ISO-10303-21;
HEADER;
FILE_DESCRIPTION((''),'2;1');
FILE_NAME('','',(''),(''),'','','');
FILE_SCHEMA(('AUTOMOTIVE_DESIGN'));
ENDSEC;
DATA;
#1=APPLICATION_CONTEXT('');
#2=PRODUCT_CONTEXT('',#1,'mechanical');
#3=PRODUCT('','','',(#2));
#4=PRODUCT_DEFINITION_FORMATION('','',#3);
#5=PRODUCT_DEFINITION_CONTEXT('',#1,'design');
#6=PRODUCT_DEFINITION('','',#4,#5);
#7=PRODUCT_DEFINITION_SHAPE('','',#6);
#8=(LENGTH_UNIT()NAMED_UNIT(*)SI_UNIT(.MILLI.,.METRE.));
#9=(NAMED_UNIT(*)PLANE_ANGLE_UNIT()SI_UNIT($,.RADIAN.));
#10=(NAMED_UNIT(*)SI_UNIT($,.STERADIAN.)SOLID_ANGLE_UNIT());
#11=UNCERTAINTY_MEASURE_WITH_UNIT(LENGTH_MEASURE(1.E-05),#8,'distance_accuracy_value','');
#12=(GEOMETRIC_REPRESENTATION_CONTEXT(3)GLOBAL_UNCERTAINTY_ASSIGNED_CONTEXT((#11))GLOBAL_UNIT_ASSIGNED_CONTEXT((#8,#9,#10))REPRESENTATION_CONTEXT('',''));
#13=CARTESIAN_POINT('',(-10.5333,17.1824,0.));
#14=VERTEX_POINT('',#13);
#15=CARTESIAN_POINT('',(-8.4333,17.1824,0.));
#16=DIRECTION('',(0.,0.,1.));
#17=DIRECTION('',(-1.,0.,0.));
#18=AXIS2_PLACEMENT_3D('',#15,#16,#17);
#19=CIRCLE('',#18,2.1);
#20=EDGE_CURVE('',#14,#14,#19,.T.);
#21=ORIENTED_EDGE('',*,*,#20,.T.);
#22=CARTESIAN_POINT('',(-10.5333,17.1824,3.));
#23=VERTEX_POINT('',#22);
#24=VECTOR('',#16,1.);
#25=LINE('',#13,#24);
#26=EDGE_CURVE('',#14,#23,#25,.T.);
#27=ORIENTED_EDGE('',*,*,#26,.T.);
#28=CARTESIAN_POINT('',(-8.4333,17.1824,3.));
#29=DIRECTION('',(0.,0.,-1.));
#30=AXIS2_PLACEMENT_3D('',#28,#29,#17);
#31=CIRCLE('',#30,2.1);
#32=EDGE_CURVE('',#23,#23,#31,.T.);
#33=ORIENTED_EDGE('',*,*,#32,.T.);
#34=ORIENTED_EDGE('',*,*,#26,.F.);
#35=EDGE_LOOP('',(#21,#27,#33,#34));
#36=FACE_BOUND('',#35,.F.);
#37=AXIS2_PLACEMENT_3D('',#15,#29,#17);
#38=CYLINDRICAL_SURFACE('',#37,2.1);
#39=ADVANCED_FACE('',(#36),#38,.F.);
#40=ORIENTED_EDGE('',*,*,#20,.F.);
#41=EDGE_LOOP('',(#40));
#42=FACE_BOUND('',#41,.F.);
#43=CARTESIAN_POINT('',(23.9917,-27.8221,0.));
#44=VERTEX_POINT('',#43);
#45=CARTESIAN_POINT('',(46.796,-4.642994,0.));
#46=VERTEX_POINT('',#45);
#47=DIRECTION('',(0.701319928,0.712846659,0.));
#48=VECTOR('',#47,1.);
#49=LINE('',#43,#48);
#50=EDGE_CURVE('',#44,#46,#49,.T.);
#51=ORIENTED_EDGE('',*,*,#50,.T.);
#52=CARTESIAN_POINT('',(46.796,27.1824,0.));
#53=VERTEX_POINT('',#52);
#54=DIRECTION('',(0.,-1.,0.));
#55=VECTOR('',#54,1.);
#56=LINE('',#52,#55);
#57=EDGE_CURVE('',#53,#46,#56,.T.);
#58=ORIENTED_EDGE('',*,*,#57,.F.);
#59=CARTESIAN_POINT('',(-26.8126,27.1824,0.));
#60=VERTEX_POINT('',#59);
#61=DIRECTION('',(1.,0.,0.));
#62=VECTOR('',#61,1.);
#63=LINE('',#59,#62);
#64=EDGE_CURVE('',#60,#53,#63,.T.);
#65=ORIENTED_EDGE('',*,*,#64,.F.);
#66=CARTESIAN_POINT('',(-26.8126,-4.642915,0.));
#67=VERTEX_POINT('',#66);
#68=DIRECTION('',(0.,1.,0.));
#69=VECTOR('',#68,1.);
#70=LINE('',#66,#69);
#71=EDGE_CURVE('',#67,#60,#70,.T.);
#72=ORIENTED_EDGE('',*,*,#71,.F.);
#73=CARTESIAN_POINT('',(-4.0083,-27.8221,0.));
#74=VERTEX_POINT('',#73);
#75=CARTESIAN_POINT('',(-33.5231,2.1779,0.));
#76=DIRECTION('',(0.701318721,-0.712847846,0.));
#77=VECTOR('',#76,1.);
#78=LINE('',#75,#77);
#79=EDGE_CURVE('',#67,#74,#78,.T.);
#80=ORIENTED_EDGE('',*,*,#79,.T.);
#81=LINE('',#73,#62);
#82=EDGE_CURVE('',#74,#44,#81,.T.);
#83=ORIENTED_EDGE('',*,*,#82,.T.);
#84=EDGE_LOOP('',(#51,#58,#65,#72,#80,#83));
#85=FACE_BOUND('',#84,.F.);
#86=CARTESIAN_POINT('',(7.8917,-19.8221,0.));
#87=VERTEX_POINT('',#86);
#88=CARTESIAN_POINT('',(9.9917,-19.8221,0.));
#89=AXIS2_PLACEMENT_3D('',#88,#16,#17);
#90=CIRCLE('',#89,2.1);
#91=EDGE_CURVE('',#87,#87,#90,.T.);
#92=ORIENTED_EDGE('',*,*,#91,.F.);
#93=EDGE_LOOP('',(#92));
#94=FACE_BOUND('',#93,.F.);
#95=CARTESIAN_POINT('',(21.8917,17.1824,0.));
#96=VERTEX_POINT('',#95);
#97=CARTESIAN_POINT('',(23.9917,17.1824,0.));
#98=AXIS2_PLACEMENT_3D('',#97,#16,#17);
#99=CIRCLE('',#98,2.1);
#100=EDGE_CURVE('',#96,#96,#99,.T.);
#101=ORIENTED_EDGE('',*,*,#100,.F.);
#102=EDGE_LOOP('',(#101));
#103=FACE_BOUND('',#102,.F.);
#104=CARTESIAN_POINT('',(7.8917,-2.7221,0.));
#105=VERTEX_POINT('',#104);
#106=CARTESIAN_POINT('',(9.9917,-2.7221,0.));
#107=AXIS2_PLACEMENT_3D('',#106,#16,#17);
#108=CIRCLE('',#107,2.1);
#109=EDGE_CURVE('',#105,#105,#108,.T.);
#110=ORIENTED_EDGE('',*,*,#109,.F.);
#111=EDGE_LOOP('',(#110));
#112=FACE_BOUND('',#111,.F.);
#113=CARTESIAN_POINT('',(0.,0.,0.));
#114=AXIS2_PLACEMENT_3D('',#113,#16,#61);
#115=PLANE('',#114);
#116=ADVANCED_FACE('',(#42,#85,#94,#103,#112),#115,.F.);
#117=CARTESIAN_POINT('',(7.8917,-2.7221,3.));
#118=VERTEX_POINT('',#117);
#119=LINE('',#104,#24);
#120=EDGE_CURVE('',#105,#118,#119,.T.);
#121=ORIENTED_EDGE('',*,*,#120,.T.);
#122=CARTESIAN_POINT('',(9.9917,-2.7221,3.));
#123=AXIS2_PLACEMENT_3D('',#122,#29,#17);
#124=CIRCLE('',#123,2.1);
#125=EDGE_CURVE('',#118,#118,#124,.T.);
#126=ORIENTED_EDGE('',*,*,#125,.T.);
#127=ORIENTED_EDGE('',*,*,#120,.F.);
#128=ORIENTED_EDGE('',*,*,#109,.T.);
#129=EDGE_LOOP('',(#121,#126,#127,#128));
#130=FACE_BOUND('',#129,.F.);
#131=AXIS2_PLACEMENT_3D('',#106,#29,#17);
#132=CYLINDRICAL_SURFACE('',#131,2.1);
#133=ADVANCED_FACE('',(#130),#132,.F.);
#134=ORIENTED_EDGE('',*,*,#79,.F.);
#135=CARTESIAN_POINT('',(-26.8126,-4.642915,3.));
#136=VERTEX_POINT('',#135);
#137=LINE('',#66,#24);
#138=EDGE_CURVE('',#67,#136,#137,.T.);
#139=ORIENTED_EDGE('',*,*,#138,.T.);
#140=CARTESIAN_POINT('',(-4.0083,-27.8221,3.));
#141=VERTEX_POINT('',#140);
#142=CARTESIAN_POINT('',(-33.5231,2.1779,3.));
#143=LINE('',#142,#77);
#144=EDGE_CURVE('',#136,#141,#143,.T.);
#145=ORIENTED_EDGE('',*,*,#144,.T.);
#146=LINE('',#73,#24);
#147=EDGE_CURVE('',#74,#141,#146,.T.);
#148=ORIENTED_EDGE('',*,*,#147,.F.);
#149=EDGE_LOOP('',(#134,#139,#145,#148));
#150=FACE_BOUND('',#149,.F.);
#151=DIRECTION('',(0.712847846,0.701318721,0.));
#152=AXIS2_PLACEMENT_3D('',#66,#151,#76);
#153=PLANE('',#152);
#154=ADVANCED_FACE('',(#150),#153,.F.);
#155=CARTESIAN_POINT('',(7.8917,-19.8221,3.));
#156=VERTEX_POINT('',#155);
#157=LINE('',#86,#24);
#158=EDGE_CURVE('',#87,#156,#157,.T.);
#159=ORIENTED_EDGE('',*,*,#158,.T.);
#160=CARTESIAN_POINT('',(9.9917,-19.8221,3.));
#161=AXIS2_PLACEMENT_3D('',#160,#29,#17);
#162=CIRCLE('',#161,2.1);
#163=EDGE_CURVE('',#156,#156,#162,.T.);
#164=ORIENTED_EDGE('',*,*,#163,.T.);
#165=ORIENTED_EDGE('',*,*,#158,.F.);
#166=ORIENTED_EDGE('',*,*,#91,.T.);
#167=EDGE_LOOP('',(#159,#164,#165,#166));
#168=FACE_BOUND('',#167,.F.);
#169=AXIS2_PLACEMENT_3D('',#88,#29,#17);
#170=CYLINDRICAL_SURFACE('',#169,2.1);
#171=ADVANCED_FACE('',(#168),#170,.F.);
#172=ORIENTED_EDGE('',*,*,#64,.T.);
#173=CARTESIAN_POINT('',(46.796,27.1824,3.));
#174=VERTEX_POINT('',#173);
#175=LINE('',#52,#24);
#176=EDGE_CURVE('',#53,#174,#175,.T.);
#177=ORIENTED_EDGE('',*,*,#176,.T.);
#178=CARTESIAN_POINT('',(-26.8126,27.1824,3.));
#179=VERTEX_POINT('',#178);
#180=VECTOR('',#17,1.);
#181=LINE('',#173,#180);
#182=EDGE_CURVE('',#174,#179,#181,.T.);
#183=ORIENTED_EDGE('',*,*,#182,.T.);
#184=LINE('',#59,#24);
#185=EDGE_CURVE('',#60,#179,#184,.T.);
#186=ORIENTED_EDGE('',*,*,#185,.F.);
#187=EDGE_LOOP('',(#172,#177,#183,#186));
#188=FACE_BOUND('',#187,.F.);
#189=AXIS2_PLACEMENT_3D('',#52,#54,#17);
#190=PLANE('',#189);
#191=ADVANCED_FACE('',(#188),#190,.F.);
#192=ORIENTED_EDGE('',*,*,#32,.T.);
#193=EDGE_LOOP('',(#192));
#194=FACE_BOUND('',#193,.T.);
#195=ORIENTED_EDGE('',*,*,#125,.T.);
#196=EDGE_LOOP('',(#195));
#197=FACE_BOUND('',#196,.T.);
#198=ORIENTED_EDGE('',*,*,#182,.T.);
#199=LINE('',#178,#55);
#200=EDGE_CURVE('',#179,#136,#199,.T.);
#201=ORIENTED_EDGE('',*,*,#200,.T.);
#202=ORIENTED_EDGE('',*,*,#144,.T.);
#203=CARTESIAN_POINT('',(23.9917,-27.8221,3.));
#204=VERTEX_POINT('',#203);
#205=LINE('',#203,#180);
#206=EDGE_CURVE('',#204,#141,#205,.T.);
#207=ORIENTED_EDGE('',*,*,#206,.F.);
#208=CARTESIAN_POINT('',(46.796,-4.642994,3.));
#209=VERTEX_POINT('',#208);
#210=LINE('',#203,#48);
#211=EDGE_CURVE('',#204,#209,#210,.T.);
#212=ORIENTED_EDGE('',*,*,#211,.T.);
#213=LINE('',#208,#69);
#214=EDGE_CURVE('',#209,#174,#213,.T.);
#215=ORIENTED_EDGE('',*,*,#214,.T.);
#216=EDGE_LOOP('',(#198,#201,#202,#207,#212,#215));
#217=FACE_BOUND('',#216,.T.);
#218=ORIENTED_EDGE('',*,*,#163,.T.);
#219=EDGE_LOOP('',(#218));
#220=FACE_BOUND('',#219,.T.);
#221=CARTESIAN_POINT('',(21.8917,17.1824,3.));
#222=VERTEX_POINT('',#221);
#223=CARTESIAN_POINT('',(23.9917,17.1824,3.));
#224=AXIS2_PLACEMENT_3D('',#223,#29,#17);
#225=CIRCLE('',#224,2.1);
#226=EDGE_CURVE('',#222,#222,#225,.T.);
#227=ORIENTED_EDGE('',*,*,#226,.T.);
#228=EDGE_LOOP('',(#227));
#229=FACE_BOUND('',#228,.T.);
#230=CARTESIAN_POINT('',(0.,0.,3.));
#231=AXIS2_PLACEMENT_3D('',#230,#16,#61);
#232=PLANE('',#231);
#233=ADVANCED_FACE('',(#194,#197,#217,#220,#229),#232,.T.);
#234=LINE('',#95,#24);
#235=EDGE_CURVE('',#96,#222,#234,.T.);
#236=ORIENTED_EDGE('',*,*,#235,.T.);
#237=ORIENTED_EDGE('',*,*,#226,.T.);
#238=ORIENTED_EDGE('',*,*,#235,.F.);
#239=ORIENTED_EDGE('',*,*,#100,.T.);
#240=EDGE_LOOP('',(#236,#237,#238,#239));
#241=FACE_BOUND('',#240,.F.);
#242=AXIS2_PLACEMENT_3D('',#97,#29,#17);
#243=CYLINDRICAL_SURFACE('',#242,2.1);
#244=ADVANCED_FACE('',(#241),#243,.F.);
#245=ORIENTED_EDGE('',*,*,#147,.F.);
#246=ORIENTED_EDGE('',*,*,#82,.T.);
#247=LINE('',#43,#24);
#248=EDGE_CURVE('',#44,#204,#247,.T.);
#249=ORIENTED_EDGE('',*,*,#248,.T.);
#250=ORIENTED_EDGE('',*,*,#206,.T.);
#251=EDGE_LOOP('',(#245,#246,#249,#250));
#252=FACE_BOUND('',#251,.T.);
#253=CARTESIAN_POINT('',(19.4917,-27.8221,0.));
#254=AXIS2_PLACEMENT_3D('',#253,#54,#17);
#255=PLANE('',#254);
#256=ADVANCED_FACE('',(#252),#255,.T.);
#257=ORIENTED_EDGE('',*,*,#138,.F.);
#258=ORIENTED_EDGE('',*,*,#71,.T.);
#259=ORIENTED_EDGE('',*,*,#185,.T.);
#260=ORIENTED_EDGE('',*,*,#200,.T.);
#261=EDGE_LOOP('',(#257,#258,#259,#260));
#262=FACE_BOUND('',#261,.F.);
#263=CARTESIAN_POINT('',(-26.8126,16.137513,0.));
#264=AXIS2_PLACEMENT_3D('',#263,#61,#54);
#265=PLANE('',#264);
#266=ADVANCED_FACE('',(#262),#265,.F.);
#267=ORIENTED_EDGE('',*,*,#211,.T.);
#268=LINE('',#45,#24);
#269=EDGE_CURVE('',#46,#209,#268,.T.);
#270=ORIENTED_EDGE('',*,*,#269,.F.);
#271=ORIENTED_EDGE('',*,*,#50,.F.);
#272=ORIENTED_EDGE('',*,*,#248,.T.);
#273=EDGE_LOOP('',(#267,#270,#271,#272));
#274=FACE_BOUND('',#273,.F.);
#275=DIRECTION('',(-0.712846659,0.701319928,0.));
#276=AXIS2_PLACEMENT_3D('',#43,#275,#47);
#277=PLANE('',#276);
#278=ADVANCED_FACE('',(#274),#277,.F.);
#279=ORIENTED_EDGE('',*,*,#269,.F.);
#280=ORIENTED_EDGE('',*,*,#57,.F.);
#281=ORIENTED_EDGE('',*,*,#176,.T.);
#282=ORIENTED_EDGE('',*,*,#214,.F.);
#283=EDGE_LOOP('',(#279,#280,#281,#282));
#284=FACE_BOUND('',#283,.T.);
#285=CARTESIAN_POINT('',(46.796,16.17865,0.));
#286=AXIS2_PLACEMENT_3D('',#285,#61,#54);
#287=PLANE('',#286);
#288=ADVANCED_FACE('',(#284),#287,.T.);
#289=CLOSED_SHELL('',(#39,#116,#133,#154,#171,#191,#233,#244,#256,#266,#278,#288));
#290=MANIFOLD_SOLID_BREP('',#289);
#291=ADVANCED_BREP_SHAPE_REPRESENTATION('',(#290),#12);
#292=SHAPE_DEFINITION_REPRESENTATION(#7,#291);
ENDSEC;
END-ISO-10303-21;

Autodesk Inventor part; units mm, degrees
ref_plane "YZ Plane" through (0, 0, 0) normal (1, 0, 0) x (0, 1, 0)
ref_plane "XZ Plane" through (0, 0, 0) normal (0, 1, 0) x (-1, 0, 0)
ref_plane "XY Plane" through (0, 0, 0) normal (0, 0, 1) x (1, 0, 0)
sketch "Эскиз1" plane through (0, 0, 0) normal (0, 0, 1) x (1, 0, 0)
  line L0 (19.4917, 4.2381) -> (56.3509, 4.2381)
  line L1 (19.4917, -27.8221) -> (19.4917, 4.2381)
  line L2 (23.9917, -27.8221) -> (19.4917, -27.8221)
  line L3 (23.9917, -27.8221) -> (53.5066, 2.1779)
  line L4 (53.5066, 2.1779) -> (57.0345, 2.1779)
  line L5 (57.0345, 2.1779) -> (56.3509, 4.2381)
  line L6 (27.9917, 2.1779) -> (44.5248, 2.1779)
  arc A0 (45.9505, -1.2247) -> (44.5248, 2.1779) centre (44.5248, 0.1779) ccw
  line L7 (45.9505, -1.2247) -> (27.4174, -20.0624)
  arc A1 (23.9917, -18.6598) -> (27.4174, -20.0624) centre (25.9917, -18.6598) ccw
  line L8 (23.9917, -18.6598) -> (23.9917, -1.8221)
  arc A2 (27.9917, 2.1779) -> (23.9917, -1.8221) centre (27.9917, -1.8221) ccw
  line L9 (-39.3572, 4.2381) -> (0.4917, 4.2381)
  arc A3 (-36.4955, 2.1779) -> (-39.3572, 4.2381) centre (-50.0058, -13.5712) ccw
  line L10 (-36.4955, 2.1779) -> (-33.5231, 2.1779)
  line L11 (-33.5231, 2.1779) -> (-4.0083, -27.8221)
  line L12 (-4.0083, -27.8221) -> (0.4917, -27.8221)
  line L13 (0.4917, 4.2381) -> (0.4917, -27.8221)
  line L14 (-24.5413, 2.1779) -> (-8.0083, 2.1779)
  arc A4 (-4.0083, -1.8221) -> (-8.0083, 2.1779) centre (-8.0083, -1.8221) ccw
  line L15 (-4.0083, -1.8221) -> (-4.0083, -18.6598)
  arc A5 (-7.434, -20.0624) -> (-4.0083, -18.6598) centre (-6.0083, -18.6598) ccw
  line L16 (-7.434, -20.0624) -> (-25.967, -1.2247)
  arc A6 (-24.5413, 2.1779) -> (-25.967, -1.2247) centre (-24.5413, 0.1779) ccw
  line L17 (19.4917, -27.8221) -> (0.4917, -27.8221)
  line L18 (46.796, 27.1824) -> (46.796, -12.8221)
  line L19 (9.9917, -27.8221) -> (9.9917, 27.1824)
  line L20 (74.6897, 27.1824) -> (-75.7558, 27.1824)
  line L21 (46.796, 27.1824) -> (9.9917, 27.1824)
  line L22 (-26.8126, 27.1824) -> (9.9917, 27.1824)
  line L23 (-26.8126, 27.1824) -> (-26.8126, -10.6435)
  arc A7 (-53.8558, 14.0224) -> (-53.8558, 18.2224) centre (-53.8558, 16.1224) ccw
  line L24 (-53.8558, 16.1224) -> (53.5066, 16.1824)
  line L25 (73.7569, 16.1824) -> (46.796, 16.1824)
  point P0 (0, 0)
  point P1 (46.796, -4.6429)
  point P2 (-26.8126, -4.6429)
extrude "Выдавливание1" add sketch "Эскиз1" along normal blind 3 contours L1 L17 L19 L24 L18 L0 | L0 L18 L3 L2 L1 | L24 L19 L20 L18 | L17 L13 L9 L23 L24 L19 | L24 L23 L20 L19 | L12 L11 L23 L9 L13 | L6 A0 L7 A1 L8 A2 | L14 A4 L15 A5 L16 A6
sketch "Эскиз2" plane through (0, 0, 0) normal (0, 0, -1) x (-1, 0, 0)
  line L0 (4.0083, -27.8221) -> (-23.9917, -27.8221) projected
  line L1 (-9.9917, -27.8221) -> (-9.9917, 27.1824)
  line L2 (-46.796, 27.1824) -> (26.8126, 27.1824) projected
  line L3 (26.8126, 27.1824) -> (26.8126, -4.6429) projected
  line L4 (26.8126, 11.2697) -> (-46.796, 11.2697)
  line L5 (-46.796, -4.6429) -> (-46.796, 27.1824) projected
  line L6 (4.0083, -27.8221) -> (4.0083, 40.673)
  line L7 (-23.9917, -27.8221) -> (-23.9917, 46.5854)
  line L8 (-9.9917, -27.8221) -> (-9.9917, -19.8221)
  circle A0 centre (-9.9917, -19.8221) radius 2.1
  line L9 (-9.9917, -17.7221) -> (-9.9917, -2.7221)
  circle A1 centre (-9.9917, -2.7221) radius 2.1
  line L10 (4.0083, 13.3697) -> (4.0083, 17.3697)
  line L11 (4.0083, 27.1824) -> (4.0083, 16.1824)
  line L12 (-23.9917, 27.1824) -> (-23.9917, 17.1824)
  circle A2 centre (-23.9917, 17.1824) radius 2.1
  line L13 (4.0083, 18.2824) -> (4.0083, 22.2824)
  line L14 (4.0083, 22.2824) -> (29.571, 22.2824)
  line L15 (29.571, 22.2824) -> (-56.1898, 22.2824)
  line L16 (-23.9917, 22.2824) -> (-28.4167, 22.2824)
  line L17 (-28.4167, 22.2824) -> (-28.4167, 3.0492)
  line L18 (4.0083, 22.2824) -> (8.4333, 22.2824)
  line L19 (8.4333, 22.2824) -> (8.4333, 2.2797)
  circle A3 centre (8.4333, 17.1824) radius 2.1
  point P0 (0, 0)
  point P1 (26.8126, 22.2824)
  point P2 (-46.796, 22.2824)
  point P3 (-28.4167, 17.1824)
  dimension "d5" = 4.2
  dimension "d4" = 8
  dimension "d6" = 15
  dimension "d7" = 4.2
  dimension "d12" = 10
  dimension "d19" = 4.425
  dimension "d20" = 4.425
extrude "Выдавливание2" cut sketch "Эскиз2" against normal blind 3 contours A0 L1 | L1 A0 | A3 L19 | L19 A3 | A1 L1 | L1 A1 | A2 L7 | L7 A2
properties part number "трапеция для профиля"
